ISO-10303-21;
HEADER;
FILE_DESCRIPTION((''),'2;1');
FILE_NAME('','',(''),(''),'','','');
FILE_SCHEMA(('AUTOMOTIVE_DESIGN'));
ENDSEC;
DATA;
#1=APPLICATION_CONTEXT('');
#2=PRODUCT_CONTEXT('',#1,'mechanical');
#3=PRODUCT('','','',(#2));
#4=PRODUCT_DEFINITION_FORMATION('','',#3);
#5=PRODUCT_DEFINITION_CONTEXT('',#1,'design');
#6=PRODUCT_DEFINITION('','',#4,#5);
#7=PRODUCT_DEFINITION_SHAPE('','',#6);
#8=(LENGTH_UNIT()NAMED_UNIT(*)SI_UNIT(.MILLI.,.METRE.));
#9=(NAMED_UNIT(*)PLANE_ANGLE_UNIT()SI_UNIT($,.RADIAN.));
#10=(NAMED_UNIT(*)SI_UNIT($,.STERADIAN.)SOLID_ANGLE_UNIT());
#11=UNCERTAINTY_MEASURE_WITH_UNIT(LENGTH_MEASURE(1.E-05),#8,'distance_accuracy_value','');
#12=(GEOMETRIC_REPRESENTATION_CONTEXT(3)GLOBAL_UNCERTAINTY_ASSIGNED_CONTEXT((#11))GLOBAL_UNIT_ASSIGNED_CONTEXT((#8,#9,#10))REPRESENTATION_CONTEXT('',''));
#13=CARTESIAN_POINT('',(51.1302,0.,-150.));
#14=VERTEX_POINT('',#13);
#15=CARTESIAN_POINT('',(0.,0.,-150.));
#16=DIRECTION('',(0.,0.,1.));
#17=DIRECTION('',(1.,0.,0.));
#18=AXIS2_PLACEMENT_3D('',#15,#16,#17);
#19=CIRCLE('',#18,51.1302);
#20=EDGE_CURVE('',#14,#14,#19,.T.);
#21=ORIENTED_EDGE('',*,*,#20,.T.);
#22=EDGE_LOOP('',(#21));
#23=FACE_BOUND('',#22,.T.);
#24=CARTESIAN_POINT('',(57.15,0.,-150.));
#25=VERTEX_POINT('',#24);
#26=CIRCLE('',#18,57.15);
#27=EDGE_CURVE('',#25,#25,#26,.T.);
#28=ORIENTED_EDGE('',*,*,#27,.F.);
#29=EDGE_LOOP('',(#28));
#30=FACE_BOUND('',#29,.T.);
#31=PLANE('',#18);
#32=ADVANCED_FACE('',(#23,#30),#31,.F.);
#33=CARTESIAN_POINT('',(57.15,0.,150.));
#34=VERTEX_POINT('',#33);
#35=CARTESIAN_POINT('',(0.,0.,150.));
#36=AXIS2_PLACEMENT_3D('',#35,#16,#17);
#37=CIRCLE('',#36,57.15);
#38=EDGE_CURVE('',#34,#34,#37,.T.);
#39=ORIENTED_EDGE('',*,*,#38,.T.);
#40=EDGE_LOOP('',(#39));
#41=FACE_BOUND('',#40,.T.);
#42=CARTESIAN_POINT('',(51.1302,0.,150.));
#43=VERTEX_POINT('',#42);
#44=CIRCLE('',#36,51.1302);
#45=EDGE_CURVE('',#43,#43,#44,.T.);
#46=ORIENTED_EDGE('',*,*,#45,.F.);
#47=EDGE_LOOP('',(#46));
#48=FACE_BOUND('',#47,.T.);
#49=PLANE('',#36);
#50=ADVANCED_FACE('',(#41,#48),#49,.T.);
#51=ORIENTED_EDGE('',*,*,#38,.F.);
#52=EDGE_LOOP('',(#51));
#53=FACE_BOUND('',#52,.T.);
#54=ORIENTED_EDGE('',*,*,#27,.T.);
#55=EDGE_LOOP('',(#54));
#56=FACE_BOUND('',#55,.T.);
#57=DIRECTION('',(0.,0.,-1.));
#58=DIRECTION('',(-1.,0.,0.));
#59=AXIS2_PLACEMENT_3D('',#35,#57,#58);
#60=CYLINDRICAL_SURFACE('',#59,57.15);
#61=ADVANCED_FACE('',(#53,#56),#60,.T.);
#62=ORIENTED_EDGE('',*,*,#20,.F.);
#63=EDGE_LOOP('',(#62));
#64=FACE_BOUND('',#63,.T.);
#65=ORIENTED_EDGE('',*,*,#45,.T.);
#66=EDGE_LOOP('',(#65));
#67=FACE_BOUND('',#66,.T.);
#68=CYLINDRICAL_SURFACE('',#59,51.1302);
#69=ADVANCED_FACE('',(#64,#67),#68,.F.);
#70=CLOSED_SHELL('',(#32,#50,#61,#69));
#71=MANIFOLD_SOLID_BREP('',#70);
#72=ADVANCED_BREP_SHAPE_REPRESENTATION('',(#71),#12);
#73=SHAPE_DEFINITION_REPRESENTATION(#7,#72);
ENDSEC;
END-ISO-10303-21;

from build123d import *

# Parameters (mm, degrees)
SKETCH1_R           = 57.15
SKETCH1_R_2         = 51.1302
EXTRUDE_THIN1_DEPTH = 150


with BuildPart() as part:
    # Sketch1 → Extrude-Thin1 (new body, symmetric)
    with BuildSketch(Plane.XY):
        Circle(SKETCH1_R)
        Circle(SKETCH1_R_2, mode=Mode.SUBTRACT)
    extrude(amount=EXTRUDE_THIN1_DEPTH, both=True)


solid = part.part
